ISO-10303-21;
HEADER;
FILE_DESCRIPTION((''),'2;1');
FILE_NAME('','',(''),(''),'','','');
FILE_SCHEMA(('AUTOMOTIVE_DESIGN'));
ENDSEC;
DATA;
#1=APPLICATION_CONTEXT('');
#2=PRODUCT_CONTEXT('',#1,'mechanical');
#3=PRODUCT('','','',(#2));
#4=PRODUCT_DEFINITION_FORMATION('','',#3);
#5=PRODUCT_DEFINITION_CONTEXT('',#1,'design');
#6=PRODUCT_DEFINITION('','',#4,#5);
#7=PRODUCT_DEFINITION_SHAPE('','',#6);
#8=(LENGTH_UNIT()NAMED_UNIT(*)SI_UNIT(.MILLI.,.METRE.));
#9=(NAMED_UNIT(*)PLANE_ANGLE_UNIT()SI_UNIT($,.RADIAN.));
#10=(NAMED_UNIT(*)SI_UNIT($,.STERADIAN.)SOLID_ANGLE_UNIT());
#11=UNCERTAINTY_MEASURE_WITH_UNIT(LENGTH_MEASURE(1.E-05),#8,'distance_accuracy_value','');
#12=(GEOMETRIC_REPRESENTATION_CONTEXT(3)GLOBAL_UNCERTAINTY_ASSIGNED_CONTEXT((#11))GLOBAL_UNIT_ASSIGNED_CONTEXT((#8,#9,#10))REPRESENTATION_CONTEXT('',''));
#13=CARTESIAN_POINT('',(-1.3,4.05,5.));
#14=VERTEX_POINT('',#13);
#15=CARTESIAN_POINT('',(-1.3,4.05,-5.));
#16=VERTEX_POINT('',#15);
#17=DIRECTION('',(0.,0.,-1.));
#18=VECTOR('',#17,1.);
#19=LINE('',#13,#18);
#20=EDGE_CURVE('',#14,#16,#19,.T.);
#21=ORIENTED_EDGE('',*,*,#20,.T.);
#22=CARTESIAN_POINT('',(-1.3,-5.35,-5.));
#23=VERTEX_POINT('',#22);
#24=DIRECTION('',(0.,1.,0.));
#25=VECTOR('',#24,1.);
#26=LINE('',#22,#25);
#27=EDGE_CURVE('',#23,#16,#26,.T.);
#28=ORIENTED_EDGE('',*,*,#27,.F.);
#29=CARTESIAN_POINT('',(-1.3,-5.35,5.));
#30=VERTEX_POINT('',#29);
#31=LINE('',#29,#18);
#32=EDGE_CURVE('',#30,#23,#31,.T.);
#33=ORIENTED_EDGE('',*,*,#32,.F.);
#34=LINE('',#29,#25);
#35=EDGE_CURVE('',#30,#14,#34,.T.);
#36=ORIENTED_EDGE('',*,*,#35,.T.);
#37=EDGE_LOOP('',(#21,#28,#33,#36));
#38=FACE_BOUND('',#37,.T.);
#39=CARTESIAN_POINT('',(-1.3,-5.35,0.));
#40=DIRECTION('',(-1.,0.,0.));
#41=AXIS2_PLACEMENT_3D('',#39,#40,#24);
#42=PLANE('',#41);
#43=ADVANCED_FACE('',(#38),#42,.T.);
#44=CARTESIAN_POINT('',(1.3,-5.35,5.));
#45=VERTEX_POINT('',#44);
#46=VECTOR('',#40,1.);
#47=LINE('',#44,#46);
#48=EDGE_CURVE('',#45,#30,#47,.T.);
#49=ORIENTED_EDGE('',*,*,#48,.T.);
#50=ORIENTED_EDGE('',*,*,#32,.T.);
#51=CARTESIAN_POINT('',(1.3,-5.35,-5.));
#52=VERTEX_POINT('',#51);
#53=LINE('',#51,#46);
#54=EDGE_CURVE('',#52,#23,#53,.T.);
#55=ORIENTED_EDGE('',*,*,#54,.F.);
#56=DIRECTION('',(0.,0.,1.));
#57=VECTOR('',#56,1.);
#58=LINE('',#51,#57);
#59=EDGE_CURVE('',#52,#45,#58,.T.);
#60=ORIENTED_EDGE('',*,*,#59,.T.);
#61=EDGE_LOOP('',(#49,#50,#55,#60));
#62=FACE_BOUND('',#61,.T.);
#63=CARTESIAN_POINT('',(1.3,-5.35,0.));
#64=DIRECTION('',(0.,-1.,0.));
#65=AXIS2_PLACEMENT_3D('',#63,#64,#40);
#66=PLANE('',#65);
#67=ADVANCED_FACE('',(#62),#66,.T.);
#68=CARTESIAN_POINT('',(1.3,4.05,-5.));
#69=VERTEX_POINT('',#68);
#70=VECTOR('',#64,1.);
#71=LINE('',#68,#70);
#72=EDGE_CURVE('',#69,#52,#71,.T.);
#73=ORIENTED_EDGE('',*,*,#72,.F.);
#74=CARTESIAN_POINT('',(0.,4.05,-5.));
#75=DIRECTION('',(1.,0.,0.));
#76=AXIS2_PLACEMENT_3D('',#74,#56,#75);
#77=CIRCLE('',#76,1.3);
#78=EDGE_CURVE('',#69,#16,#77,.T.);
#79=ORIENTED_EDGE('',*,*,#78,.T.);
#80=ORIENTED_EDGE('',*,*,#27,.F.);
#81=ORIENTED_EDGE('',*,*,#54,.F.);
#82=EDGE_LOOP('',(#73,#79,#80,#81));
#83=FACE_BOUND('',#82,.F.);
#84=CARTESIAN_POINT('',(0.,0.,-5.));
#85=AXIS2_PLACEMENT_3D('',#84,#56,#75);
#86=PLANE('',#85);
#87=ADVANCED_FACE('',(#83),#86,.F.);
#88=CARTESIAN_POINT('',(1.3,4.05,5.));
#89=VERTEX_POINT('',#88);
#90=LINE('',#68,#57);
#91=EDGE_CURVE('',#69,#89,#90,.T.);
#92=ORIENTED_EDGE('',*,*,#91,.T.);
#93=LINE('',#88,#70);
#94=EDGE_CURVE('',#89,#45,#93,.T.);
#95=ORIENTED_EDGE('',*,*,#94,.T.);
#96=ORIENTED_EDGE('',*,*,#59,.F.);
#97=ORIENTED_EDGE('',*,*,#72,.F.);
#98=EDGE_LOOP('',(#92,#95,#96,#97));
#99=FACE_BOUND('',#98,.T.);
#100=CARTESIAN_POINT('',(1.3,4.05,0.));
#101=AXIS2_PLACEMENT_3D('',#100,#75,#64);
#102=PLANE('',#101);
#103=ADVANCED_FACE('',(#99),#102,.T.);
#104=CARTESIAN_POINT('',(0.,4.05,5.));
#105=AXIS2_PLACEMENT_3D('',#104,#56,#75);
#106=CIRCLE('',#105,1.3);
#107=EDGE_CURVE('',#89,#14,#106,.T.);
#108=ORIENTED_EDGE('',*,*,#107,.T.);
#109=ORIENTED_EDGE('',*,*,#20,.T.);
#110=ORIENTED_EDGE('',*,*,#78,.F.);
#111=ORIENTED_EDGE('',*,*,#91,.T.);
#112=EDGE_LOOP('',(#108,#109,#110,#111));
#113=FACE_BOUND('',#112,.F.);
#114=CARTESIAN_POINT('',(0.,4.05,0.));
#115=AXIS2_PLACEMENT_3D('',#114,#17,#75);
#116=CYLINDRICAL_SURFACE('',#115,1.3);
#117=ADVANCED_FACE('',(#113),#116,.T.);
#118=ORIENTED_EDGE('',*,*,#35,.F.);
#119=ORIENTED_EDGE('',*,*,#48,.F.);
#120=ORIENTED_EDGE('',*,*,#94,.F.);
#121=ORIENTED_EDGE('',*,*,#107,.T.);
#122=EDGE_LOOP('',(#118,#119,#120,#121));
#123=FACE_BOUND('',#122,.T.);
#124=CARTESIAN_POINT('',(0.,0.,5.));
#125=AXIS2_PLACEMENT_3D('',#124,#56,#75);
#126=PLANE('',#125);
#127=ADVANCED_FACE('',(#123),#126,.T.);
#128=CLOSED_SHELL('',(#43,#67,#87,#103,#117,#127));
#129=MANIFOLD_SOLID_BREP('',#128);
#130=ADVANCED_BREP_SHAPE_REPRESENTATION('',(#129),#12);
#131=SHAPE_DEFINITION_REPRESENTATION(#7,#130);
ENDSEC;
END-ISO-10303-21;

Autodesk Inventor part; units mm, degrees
ref_plane "YZ Plane" through (0, 0, 0) normal (1, 0, 0) x (0, 1, 0)
ref_plane "XZ Plane" through (0, 0, 0) normal (0, 1, 0) x (-1, 0, 0)
ref_plane "XY Plane" through (0, 0, 0) normal (0, 0, 1) x (1, 0, 0)
sketch "Sketch1" plane through (0, 0, 0) normal (0, 0, 1) x (1, 0, 0)
  line L0 (-1.3, 5.35) -> (0, 5.35) construction
  line L1 (1.3, 5.35) -> (1.3, 4.05) construction
  line L2 (1.3, -5.35) -> (-1.3, -5.35)
  line L3 (-1.3, -5.35) -> (-1.3, 4.05)
  arc A0 (1.3, 4.05) -> (-1.3, 4.05) centre (0, 4.05) ccw
  line L4 (-1.3, 4.05) -> (-1.3, 5.35) construction
  line L5 (0, 5.35) -> (1.3, 5.35) construction
  line L6 (1.3, 4.05) -> (1.3, -5.35)
  line L7 (0, 5.35) -> (0, -5.35) construction
  point P0 (0, 0)
  point P1 (0, 0)
  dimension "d0" = 10.7
  dimension "d1" = 2.6
  dimension "d3" = 1.3
extrude "Extrusion1" add sketch "Sketch1" along normal mid plane 10
equation "\"d3\" = 0.5 * d1"
properties part number "Vane"
